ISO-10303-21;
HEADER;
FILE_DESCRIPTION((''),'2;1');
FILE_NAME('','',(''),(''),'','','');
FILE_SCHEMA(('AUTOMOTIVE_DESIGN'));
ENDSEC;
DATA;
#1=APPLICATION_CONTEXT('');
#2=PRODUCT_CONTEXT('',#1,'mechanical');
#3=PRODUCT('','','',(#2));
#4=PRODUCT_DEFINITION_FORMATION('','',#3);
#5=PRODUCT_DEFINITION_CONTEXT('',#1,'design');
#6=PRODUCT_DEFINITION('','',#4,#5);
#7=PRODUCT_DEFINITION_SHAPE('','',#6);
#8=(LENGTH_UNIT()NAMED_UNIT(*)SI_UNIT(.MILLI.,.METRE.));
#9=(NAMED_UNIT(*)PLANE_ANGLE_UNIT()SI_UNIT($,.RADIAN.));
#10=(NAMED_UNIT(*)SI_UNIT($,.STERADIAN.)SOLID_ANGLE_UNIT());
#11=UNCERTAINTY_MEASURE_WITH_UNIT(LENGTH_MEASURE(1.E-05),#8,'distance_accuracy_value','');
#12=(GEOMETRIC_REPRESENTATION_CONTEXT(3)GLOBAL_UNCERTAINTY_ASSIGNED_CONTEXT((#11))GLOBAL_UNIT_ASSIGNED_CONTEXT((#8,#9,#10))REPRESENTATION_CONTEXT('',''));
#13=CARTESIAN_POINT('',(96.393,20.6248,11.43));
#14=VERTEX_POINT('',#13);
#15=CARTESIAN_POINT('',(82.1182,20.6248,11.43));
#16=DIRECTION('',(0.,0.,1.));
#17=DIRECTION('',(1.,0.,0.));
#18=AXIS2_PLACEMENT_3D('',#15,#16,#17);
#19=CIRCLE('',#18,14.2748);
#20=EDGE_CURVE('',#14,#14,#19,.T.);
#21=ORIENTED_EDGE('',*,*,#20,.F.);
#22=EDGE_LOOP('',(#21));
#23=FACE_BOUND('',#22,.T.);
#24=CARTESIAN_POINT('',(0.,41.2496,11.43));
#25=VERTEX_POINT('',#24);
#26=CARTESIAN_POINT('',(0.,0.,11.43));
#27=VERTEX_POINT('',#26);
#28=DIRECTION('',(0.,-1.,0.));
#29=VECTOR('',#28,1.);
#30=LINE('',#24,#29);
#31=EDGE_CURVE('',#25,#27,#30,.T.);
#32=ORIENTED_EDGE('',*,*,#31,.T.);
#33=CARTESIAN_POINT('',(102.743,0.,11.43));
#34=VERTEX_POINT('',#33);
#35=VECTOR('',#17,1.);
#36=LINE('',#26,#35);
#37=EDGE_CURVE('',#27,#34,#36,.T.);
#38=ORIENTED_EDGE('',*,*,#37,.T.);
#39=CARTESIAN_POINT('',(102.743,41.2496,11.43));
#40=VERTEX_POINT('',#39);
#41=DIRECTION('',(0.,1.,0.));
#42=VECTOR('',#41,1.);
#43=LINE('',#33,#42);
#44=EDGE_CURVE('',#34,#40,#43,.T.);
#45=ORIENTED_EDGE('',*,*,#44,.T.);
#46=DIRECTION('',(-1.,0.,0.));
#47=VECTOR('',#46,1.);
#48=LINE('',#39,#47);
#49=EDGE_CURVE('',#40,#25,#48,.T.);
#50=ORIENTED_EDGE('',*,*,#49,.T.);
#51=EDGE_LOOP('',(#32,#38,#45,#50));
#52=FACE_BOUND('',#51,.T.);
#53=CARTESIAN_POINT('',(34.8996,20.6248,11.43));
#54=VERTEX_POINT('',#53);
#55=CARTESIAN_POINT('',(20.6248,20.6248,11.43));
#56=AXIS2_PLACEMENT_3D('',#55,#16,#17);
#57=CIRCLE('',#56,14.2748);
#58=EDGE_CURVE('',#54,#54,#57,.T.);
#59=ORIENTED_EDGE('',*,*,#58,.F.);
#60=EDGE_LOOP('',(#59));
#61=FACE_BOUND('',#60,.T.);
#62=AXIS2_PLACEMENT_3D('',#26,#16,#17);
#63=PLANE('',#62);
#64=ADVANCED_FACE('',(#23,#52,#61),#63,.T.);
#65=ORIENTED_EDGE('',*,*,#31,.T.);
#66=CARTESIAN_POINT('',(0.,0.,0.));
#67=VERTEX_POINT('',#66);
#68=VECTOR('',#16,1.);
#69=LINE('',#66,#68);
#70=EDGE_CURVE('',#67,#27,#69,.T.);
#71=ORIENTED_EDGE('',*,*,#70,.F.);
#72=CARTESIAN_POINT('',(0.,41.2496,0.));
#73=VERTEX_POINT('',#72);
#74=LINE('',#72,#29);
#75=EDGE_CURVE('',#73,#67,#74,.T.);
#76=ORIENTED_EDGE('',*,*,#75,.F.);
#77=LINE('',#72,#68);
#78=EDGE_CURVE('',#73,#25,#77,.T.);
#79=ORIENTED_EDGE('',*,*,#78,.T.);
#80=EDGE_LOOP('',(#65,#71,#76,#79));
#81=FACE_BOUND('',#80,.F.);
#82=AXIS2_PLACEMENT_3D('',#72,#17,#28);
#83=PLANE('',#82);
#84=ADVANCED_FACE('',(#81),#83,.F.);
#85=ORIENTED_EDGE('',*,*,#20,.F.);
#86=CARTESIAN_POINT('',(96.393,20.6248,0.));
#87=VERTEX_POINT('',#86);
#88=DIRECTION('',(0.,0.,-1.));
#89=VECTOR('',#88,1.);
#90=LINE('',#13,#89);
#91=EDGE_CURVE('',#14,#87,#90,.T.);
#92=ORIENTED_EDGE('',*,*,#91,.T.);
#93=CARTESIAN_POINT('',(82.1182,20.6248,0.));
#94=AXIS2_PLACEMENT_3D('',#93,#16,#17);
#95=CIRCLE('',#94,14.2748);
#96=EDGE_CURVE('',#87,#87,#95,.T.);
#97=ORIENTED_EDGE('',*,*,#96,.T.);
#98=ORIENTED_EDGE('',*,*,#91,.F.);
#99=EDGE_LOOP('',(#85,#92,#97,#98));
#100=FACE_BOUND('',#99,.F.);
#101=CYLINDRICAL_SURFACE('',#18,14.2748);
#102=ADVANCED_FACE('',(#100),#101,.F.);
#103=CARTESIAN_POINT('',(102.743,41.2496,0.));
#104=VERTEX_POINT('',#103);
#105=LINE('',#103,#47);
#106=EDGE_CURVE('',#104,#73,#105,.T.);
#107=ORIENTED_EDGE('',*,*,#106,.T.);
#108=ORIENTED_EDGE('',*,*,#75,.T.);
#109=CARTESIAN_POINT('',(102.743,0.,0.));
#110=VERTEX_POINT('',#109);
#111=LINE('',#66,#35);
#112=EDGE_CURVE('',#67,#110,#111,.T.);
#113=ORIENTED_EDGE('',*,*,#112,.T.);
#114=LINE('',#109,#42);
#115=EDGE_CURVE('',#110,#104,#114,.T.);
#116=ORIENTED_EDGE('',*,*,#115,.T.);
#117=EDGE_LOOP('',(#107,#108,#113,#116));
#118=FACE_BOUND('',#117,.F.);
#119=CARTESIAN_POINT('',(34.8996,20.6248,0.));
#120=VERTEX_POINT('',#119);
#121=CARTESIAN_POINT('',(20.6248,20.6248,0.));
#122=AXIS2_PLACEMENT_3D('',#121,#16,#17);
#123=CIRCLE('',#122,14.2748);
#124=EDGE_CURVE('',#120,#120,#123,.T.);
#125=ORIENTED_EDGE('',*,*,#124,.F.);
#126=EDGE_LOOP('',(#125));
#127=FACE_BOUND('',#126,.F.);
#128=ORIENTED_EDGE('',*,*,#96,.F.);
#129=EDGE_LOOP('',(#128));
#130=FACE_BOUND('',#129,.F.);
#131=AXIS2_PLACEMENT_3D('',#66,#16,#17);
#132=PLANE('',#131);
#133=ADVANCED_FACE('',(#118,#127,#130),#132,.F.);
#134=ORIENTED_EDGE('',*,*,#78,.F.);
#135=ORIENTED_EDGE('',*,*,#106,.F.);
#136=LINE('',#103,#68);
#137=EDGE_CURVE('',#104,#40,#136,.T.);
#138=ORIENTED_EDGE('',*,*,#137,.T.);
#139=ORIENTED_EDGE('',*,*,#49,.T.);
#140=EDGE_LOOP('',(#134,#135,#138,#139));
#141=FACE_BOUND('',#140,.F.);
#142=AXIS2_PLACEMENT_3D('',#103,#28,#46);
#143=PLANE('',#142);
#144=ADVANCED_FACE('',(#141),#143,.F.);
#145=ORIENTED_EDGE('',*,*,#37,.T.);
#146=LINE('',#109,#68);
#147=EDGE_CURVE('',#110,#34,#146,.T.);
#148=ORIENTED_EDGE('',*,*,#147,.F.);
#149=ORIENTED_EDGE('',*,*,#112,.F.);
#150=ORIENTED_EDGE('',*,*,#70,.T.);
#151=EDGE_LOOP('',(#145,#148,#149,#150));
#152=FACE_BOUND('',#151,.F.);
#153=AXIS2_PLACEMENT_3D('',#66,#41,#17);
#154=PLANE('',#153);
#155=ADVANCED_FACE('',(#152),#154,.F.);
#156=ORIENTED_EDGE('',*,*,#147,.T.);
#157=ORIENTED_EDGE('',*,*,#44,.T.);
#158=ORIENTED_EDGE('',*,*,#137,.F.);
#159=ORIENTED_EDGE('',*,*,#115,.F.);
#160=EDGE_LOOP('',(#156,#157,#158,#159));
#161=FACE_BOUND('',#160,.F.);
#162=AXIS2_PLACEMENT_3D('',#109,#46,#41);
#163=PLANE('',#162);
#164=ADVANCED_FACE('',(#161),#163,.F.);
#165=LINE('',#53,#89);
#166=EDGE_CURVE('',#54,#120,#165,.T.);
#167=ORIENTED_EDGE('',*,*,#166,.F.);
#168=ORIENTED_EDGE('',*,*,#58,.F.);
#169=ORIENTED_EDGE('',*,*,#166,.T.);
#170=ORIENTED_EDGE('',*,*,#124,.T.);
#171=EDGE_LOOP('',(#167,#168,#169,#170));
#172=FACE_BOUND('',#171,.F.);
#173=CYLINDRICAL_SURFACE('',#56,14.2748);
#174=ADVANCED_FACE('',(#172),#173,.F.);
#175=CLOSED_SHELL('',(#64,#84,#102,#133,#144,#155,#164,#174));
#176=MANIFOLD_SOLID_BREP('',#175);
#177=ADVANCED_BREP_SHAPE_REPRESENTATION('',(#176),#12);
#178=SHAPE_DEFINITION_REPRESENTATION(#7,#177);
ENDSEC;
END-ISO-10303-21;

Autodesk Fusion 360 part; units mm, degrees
sketch "Sketch1" plane through (0, 0, 0) normal (0, 0, 1) x (1, 0, 0) in component "Component"
  line L0 (0, 0) -> (102.743, 0)
  line L1 (102.743, 0) -> (102.743, 41.2496)
  line L2 (102.743, 41.2496) -> (0, 41.2496)
  line L3 (0, 41.2496) -> (0, 0)
  dimension "d1" = 41.2496
  dimension "d10" = 102.743
extrude "Extrude1" add sketch "Sketch1" along normal blind 11.43 in component "Component"
sketch "Sketch2" plane through (0, 0, 11.43) normal (0, 0, 1) x (1, 0, 0) in component "Component"
  line L0 (0, 41.2496) -> (0, 0)
  line L1 (0, 0) -> (102.743, 0)
  line L2 (102.743, 0) -> (102.743, 41.2496)
  line L3 (102.743, 41.2496) -> (0, 41.2496)
  circle A0 centre (20.6248, 20.6248) radius 14.2748
  circle A1 centre (82.1182, 20.6248) radius 14.2748
  dimension "d4" = 28.5496
  dimension "d5" = 28.5496
  dimension "d6" = 20.6248
  dimension "d7" = 20.6248
  dimension "d8" = 20.6248
  dimension "d9" = 61.4934
extrude "Extrude2" cut sketch "Sketch2" against normal blind 11.43 contours A0 | A1 in component "Component"
component "Component" placed x (1, 0, 0) y (0, 1, 0) z (0, 0, 1) at (0, 0, 0)
